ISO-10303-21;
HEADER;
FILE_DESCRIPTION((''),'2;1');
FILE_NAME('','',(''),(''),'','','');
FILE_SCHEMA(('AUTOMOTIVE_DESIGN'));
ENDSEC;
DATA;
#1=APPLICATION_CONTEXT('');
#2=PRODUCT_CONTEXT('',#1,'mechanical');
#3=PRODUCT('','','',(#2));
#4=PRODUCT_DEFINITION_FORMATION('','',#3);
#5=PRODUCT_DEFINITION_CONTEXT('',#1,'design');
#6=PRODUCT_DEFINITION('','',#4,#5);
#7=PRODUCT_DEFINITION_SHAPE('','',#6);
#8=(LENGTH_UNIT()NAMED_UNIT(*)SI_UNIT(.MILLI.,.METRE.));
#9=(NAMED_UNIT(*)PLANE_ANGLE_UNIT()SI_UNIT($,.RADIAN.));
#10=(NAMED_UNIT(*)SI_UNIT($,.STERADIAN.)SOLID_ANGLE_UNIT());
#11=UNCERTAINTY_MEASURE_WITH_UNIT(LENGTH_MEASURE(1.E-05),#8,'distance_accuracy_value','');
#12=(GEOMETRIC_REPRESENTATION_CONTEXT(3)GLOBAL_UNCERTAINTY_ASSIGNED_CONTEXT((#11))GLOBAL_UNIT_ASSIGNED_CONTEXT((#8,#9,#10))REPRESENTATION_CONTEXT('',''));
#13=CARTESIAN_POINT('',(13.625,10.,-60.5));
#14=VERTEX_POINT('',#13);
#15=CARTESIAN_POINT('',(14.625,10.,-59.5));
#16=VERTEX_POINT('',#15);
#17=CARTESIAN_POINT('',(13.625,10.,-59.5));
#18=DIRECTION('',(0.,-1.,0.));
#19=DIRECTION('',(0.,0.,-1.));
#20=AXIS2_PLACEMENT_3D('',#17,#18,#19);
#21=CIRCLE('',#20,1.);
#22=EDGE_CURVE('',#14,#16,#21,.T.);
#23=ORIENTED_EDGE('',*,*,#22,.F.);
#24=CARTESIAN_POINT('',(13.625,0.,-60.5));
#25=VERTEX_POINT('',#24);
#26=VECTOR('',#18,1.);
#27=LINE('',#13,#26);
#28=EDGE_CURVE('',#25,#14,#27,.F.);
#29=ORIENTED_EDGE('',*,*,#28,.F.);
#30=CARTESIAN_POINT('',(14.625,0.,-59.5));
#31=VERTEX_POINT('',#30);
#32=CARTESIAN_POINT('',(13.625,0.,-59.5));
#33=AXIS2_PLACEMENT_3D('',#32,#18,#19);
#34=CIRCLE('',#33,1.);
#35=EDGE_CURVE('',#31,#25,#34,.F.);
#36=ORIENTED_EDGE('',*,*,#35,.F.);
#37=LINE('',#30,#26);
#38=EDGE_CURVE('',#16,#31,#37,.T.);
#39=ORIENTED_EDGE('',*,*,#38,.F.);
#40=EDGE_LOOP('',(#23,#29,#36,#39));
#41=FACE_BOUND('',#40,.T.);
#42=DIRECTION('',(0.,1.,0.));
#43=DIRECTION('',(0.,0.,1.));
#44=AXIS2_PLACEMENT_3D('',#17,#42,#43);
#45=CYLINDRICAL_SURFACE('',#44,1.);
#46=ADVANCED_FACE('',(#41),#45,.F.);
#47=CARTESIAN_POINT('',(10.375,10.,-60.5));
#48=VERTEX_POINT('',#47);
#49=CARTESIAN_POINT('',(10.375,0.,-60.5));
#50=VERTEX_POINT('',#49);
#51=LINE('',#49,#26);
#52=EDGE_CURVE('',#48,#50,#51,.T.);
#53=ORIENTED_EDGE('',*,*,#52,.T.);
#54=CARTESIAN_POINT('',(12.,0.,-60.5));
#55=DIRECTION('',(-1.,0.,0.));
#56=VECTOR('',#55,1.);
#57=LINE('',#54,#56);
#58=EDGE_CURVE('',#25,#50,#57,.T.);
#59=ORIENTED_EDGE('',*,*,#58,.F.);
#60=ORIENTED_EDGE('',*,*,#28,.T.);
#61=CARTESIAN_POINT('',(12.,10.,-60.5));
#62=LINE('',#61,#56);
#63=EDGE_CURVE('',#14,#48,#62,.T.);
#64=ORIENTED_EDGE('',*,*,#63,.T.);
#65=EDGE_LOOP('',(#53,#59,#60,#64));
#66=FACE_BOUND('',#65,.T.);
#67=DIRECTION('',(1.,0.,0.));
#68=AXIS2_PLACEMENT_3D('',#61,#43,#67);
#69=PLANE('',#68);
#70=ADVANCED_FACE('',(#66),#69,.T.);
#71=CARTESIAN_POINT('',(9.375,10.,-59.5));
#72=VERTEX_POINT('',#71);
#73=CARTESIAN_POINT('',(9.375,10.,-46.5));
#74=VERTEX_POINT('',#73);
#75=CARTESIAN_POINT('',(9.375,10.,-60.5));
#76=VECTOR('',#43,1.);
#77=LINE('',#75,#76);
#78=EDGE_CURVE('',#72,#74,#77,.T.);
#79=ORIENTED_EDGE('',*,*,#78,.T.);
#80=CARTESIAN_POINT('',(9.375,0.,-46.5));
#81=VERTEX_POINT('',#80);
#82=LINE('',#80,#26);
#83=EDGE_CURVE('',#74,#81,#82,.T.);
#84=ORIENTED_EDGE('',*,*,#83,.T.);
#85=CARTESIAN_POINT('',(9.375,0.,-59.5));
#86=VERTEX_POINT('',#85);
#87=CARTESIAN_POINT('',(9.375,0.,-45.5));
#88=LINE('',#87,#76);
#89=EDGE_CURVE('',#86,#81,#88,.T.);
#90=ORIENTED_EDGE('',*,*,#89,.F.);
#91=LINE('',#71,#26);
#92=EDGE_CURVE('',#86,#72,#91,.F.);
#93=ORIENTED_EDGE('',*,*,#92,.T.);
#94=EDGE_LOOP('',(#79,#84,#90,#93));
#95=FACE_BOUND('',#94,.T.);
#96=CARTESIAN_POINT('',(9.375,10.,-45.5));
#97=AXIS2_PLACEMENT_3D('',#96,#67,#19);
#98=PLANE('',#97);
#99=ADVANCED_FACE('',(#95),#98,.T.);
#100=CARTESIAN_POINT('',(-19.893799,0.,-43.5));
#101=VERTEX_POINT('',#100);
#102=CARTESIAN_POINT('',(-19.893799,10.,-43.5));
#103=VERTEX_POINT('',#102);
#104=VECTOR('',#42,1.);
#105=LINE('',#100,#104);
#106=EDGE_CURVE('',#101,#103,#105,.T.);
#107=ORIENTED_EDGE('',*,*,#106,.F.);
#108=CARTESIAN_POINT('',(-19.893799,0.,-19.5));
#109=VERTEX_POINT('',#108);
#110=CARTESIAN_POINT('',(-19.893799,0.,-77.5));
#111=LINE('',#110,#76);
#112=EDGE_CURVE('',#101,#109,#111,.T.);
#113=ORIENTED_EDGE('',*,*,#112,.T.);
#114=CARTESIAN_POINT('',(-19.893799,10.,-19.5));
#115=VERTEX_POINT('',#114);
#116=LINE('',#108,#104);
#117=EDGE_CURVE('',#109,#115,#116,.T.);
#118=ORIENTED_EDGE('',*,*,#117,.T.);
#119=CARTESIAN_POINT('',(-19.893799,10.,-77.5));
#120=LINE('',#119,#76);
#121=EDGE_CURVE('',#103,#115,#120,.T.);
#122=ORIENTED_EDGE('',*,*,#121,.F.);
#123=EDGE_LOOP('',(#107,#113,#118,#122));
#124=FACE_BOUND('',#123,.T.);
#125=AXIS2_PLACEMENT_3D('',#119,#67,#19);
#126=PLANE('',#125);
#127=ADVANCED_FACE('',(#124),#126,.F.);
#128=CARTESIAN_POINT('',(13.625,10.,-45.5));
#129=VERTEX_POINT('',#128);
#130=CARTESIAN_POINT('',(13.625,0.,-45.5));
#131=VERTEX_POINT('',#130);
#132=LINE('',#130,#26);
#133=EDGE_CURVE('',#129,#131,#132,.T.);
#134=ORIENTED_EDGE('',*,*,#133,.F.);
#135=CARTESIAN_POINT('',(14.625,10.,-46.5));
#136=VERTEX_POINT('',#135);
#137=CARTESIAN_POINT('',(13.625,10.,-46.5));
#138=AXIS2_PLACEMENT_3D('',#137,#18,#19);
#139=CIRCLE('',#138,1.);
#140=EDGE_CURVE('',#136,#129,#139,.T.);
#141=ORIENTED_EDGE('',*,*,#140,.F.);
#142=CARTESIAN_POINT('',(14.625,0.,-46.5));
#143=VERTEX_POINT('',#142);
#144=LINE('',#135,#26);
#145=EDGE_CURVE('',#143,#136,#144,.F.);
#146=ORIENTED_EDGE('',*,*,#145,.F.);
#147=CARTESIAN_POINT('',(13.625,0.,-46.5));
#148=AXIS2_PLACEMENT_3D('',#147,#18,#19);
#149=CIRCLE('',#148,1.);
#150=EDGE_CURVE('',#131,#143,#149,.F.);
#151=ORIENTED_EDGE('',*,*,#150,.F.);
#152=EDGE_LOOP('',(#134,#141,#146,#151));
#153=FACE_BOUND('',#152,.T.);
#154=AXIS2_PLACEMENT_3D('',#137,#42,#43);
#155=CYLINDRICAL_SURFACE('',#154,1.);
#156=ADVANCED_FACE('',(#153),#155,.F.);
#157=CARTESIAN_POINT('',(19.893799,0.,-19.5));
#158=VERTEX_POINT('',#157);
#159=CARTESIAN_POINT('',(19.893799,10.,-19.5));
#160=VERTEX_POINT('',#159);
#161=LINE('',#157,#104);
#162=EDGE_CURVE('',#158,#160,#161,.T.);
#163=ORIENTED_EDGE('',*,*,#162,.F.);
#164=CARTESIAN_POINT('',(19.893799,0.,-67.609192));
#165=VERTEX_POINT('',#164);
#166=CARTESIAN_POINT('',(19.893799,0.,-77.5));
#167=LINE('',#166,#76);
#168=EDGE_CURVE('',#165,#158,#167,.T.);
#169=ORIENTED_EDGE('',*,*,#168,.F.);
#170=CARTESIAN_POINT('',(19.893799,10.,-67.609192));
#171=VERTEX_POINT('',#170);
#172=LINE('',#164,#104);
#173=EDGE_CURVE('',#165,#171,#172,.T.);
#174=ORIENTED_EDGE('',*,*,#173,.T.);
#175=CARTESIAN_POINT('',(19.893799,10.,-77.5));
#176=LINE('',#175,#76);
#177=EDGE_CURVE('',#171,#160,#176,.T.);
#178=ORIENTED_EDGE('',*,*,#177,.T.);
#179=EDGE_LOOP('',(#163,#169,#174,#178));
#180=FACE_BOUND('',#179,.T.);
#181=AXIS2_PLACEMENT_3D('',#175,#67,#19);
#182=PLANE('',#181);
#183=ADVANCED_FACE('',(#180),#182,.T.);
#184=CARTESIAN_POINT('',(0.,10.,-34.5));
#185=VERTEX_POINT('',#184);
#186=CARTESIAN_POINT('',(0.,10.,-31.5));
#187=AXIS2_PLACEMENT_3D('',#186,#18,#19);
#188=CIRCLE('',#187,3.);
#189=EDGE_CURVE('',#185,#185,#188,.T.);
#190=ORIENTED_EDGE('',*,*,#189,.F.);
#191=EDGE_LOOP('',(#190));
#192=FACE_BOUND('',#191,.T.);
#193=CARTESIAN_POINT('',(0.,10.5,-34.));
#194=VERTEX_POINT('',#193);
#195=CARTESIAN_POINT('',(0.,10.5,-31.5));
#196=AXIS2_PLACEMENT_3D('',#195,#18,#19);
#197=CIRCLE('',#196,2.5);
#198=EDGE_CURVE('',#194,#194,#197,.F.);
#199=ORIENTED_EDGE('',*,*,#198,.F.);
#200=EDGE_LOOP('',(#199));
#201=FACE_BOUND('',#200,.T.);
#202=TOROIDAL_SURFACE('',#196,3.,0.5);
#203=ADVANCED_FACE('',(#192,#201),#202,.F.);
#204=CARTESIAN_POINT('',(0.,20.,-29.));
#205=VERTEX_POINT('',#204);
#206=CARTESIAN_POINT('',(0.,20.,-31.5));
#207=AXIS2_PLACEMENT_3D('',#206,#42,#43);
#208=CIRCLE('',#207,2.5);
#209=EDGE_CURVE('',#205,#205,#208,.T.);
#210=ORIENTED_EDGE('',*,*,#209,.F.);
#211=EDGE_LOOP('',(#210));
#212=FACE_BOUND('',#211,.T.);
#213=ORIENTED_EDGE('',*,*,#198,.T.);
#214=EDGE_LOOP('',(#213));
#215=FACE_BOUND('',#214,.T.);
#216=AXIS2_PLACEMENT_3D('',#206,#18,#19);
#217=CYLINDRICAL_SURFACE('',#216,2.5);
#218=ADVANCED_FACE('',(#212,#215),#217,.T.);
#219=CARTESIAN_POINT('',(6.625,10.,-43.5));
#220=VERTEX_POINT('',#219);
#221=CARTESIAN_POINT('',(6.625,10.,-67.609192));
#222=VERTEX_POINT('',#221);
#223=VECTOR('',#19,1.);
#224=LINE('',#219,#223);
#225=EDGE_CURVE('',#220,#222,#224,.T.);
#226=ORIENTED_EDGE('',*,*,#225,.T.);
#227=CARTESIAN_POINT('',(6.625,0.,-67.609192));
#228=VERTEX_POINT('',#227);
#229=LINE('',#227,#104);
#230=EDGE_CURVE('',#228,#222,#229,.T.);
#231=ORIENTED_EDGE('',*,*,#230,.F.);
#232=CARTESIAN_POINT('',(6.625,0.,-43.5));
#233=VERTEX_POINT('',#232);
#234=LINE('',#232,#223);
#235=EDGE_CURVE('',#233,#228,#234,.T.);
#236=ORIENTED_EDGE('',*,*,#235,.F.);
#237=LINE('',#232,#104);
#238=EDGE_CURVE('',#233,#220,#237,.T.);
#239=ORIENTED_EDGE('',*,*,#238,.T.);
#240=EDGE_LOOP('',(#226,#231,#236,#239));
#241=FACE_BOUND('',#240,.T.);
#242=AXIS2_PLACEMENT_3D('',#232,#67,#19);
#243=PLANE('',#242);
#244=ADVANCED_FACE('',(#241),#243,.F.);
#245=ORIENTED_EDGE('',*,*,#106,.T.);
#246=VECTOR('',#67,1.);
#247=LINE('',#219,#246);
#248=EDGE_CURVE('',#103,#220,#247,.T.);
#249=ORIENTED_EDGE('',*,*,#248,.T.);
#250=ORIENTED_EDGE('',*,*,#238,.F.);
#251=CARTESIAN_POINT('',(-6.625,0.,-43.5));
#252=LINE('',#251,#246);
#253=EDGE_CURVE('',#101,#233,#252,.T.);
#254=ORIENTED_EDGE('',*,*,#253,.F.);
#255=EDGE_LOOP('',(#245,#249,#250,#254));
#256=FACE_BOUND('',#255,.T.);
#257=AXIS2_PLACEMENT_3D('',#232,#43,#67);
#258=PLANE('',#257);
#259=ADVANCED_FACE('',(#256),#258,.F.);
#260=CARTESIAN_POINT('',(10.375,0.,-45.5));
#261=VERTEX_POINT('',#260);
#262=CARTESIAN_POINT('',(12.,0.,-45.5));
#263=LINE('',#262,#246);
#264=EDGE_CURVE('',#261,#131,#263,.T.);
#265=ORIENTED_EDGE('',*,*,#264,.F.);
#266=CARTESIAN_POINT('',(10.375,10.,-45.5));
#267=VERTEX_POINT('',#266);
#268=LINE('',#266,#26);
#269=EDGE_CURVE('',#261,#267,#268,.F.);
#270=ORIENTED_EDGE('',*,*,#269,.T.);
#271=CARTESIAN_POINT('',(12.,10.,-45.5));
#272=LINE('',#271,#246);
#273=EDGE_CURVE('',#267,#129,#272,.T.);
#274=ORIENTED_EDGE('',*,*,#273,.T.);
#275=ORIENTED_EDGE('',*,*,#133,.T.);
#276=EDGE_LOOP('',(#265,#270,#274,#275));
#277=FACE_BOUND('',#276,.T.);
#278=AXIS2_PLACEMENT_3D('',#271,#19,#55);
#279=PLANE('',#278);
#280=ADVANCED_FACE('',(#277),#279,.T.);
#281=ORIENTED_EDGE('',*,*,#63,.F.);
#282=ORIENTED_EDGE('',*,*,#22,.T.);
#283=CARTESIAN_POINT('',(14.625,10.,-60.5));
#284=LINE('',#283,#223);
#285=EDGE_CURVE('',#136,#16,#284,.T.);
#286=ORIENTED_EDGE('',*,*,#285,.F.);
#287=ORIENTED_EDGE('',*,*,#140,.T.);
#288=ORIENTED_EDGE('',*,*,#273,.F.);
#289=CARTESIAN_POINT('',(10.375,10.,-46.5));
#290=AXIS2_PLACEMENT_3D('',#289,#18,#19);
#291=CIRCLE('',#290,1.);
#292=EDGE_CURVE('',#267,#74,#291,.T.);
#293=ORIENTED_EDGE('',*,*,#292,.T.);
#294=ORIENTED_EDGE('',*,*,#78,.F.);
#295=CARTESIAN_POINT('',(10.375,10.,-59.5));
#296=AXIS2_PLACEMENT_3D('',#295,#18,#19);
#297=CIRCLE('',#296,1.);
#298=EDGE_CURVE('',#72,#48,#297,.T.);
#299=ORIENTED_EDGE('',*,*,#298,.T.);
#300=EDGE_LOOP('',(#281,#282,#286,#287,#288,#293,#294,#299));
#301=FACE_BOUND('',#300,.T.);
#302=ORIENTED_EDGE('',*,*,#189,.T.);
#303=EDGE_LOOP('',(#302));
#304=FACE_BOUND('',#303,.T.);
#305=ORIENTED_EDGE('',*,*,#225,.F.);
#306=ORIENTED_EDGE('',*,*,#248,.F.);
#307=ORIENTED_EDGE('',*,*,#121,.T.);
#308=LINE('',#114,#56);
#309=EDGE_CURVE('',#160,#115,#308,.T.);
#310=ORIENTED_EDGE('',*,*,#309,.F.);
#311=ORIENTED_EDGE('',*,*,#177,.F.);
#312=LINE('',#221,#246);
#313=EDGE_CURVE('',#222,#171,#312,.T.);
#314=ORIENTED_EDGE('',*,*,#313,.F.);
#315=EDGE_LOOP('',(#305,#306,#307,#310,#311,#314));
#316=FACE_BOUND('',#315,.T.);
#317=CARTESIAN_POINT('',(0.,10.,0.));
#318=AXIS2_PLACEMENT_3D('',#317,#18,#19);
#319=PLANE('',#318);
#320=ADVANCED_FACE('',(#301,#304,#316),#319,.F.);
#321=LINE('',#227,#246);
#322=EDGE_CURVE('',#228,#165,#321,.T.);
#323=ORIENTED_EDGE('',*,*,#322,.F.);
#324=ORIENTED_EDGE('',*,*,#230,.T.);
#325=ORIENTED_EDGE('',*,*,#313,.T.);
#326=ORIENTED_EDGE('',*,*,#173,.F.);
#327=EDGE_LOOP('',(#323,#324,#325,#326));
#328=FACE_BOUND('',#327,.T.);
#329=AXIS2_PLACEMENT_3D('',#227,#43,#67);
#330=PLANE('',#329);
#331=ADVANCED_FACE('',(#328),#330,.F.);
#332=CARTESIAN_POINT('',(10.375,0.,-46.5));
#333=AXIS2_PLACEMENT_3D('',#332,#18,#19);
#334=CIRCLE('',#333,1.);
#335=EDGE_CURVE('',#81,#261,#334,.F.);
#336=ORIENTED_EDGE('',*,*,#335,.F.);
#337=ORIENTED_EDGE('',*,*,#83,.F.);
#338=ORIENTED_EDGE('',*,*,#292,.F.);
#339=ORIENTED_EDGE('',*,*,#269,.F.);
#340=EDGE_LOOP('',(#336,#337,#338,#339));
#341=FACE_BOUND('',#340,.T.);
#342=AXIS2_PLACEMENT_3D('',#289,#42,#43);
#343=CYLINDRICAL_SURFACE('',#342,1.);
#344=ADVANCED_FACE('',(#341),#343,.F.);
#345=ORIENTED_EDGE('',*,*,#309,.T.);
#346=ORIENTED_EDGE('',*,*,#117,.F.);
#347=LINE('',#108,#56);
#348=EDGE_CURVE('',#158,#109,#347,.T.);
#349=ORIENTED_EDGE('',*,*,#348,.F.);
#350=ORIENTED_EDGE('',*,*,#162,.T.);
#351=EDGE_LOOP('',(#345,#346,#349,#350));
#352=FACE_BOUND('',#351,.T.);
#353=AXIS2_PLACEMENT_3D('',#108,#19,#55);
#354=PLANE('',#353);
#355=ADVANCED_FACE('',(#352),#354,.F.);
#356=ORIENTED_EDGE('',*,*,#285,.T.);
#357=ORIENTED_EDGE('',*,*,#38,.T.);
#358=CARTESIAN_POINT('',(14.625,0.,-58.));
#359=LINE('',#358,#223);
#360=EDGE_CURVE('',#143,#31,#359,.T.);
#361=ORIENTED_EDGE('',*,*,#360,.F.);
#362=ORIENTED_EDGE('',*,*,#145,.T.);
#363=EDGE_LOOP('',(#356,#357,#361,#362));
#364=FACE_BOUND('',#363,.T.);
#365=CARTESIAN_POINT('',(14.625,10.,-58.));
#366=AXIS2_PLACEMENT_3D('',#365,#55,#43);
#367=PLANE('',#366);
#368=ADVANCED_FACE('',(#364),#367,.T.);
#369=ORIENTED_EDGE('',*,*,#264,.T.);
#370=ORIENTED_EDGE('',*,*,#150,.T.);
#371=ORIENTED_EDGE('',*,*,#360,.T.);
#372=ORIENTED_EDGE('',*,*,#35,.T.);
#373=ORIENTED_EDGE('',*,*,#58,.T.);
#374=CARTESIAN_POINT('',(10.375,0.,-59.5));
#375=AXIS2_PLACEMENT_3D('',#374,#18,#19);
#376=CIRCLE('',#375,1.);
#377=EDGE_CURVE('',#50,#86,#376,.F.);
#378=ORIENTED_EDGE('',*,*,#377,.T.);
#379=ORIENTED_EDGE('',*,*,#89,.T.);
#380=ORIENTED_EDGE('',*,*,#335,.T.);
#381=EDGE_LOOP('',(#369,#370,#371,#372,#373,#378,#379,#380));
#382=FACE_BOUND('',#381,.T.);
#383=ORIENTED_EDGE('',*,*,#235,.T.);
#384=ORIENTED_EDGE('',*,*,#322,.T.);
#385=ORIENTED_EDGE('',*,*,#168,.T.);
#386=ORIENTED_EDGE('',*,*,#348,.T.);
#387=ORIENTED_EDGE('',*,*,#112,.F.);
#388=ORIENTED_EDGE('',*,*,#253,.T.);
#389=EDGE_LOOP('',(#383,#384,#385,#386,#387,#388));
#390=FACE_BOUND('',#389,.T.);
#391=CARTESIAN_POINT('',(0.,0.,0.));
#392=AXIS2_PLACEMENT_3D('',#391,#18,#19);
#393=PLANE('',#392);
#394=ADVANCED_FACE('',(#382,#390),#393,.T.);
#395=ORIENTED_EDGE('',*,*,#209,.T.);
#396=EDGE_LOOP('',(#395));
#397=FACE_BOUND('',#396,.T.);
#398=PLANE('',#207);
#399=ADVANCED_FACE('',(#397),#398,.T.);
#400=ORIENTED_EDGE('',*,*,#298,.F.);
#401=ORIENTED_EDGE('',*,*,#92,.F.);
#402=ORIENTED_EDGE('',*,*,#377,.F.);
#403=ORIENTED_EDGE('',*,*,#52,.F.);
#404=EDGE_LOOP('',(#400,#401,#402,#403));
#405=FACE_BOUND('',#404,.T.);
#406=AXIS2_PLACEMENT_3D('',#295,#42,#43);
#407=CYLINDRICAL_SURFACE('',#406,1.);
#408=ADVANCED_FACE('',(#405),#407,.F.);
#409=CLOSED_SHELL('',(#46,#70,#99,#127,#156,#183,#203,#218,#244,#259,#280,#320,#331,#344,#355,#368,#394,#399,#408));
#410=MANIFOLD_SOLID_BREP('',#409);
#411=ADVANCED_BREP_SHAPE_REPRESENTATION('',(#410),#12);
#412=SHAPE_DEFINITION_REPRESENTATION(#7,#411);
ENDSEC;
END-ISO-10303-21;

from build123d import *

# Parameters (mm, degrees)
BOSS_EXTRUDE1_DEPTH  = 10
FILLET2_R            = 1
FILLET2_OF_MIRROR1_R = 1
CUT_EXTRUDE1_DEPTH   = 81.635062113
FILLET3_R            = 1
SKETCH5_R            = 2.5
BOSS_EXTRUDE2_DEPTH  = 10
FILLET1_R            = 0.5
SKETCH6_W            = 39.78759817
SKETCH6_H            = 34
CUT_EXTRUDE2_DEPTH   = 10


with BuildPart() as part:
    # Sketch2 → Boss-Extrude1 (new body)
    with BuildSketch(Plane(origin=(0, 0, 0), x_dir=(1, 0, 0), z_dir=(0, 1, 0))):
        Polygon((-19.893799085, 77.5), (0, 77.5), (0, 75.5), (-2.625, 75.5), (-2.625, 73), (-2.625, 63), (-2.625, 60.5), (0, 60.5), (0, 60.375), (0, 2.5), (-2.625, 2.5), (-2.625, 0), (-2.625, -10), (-2.625, -12.5), (0, -12.5), (0, -14.5), (-19.893799085, -14.5), align=None)
    boss_extrude1 = extrude(amount=BOSS_EXTRUDE1_DEPTH)

    # Fillet2
    fillet2_edges = [part.edges().sort_by_distance(p)[0] for p in [
        (-2.625, 5, 12.5),
        (-2.625, 5, -2.5),
        (-2.625, 5, -60.5),
        (-2.625, 5, -75.5),
    ]]
    fillet(fillet2_edges, radius=FILLET2_R)

    # Mirror1: Boss-Extrude1 across Right Plane
    add(boss_extrude1.mirror(Plane(origin=(0, 0, 0), x_dir=(0, 0, -1), z_dir=(1, 0, 0))))

    # Fillet2 of Mirror1
    fillet2_of_mirror1_edges = [part.edges().sort_by_distance(p)[0] for p in [
        (2.625, 5, 12.5),
        (2.625, 5, -2.5),
        (2.625, 5, -60.5),
        (2.625, 5, -75.5),
    ]]
    fillet(fillet2_of_mirror1_edges, radius=FILLET2_OF_MIRROR1_R)

    # Sketch4 → Cut-Extrude1 (cut, through all)
    with BuildSketch(Plane(origin=(0, 0, 0), x_dir=(1, 0, 0), z_dir=(0, 1, 0))):
        Polygon((-14.625, 15), (-14.625, 5), (-14.625, 2.5), (-12, 2.5), (-9.375, 2.5), (-9.375, 5), (-9.375, 15), (-9.375, 17.5), (-12, 17.5), (-14.625, 17.5), align=None)
        Polygon((9.375, 58), (9.375, 48), (9.375, 45.5), (12, 45.5), (14.625, 45.5), (14.625, 48), (14.625, 58), (14.625, 60.5), (12, 60.5), (9.375, 60.5), align=None)
    extrude(amount=CUT_EXTRUDE1_DEPTH, mode=Mode.SUBTRACT)

    # Fillet3
    fillet3_edges = [part.edges().sort_by_distance(p)[0] for p in [
        (-14.625, 5, -17.5),
        (-14.625, 5, -2.5),
        (-9.375, 5, -2.5),
        (-9.375, 5, -17.5),
        (14.625, 5, -60.5),
        (9.375, 5, -60.5),
        (9.375, 5, -45.5),
        (14.625, 5, -45.5),
    ]]
    fillet(fillet3_edges, radius=FILLET3_R)

    # Sketch5 → Boss-Extrude2 (add)
    with BuildSketch(Plane(origin=(0, 10, 0), x_dir=(1, 0, 0), z_dir=(0, 1, 0))):
        with Locations(Location((0, 31.5, 0), (0, 0, 90))):
            Circle(SKETCH5_R)
    extrude(amount=BOSS_EXTRUDE2_DEPTH)

    # Fillet1
    fillet1_edges = [part.edges().sort_by_distance(p)[0] for p in [
        (0, 10, -29),
    ]]
    fillet(fillet1_edges, radius=FILLET1_R)

    # Sketch6 → Cut-Extrude2 (cut)
    with BuildSketch(Plane(origin=(0, 10, 0), x_dir=(1, 0, 0), z_dir=(0, 1, 0))):
        Polygon((19.893799085, 77.5), (19.893799085, 67.609192382), (6.625, 67.609192382), (6.625, 43.5), (-6.625, 43.5), (-19.893799085, 43.5), (-19.893799085, 77.5), (-6.625, 77.5), align=None)
        with Locations((0, 2.5)):
            Rectangle(SKETCH6_W, SKETCH6_H)
    extrude(amount=-CUT_EXTRUDE2_DEPTH, mode=Mode.SUBTRACT)


solid = part.part
